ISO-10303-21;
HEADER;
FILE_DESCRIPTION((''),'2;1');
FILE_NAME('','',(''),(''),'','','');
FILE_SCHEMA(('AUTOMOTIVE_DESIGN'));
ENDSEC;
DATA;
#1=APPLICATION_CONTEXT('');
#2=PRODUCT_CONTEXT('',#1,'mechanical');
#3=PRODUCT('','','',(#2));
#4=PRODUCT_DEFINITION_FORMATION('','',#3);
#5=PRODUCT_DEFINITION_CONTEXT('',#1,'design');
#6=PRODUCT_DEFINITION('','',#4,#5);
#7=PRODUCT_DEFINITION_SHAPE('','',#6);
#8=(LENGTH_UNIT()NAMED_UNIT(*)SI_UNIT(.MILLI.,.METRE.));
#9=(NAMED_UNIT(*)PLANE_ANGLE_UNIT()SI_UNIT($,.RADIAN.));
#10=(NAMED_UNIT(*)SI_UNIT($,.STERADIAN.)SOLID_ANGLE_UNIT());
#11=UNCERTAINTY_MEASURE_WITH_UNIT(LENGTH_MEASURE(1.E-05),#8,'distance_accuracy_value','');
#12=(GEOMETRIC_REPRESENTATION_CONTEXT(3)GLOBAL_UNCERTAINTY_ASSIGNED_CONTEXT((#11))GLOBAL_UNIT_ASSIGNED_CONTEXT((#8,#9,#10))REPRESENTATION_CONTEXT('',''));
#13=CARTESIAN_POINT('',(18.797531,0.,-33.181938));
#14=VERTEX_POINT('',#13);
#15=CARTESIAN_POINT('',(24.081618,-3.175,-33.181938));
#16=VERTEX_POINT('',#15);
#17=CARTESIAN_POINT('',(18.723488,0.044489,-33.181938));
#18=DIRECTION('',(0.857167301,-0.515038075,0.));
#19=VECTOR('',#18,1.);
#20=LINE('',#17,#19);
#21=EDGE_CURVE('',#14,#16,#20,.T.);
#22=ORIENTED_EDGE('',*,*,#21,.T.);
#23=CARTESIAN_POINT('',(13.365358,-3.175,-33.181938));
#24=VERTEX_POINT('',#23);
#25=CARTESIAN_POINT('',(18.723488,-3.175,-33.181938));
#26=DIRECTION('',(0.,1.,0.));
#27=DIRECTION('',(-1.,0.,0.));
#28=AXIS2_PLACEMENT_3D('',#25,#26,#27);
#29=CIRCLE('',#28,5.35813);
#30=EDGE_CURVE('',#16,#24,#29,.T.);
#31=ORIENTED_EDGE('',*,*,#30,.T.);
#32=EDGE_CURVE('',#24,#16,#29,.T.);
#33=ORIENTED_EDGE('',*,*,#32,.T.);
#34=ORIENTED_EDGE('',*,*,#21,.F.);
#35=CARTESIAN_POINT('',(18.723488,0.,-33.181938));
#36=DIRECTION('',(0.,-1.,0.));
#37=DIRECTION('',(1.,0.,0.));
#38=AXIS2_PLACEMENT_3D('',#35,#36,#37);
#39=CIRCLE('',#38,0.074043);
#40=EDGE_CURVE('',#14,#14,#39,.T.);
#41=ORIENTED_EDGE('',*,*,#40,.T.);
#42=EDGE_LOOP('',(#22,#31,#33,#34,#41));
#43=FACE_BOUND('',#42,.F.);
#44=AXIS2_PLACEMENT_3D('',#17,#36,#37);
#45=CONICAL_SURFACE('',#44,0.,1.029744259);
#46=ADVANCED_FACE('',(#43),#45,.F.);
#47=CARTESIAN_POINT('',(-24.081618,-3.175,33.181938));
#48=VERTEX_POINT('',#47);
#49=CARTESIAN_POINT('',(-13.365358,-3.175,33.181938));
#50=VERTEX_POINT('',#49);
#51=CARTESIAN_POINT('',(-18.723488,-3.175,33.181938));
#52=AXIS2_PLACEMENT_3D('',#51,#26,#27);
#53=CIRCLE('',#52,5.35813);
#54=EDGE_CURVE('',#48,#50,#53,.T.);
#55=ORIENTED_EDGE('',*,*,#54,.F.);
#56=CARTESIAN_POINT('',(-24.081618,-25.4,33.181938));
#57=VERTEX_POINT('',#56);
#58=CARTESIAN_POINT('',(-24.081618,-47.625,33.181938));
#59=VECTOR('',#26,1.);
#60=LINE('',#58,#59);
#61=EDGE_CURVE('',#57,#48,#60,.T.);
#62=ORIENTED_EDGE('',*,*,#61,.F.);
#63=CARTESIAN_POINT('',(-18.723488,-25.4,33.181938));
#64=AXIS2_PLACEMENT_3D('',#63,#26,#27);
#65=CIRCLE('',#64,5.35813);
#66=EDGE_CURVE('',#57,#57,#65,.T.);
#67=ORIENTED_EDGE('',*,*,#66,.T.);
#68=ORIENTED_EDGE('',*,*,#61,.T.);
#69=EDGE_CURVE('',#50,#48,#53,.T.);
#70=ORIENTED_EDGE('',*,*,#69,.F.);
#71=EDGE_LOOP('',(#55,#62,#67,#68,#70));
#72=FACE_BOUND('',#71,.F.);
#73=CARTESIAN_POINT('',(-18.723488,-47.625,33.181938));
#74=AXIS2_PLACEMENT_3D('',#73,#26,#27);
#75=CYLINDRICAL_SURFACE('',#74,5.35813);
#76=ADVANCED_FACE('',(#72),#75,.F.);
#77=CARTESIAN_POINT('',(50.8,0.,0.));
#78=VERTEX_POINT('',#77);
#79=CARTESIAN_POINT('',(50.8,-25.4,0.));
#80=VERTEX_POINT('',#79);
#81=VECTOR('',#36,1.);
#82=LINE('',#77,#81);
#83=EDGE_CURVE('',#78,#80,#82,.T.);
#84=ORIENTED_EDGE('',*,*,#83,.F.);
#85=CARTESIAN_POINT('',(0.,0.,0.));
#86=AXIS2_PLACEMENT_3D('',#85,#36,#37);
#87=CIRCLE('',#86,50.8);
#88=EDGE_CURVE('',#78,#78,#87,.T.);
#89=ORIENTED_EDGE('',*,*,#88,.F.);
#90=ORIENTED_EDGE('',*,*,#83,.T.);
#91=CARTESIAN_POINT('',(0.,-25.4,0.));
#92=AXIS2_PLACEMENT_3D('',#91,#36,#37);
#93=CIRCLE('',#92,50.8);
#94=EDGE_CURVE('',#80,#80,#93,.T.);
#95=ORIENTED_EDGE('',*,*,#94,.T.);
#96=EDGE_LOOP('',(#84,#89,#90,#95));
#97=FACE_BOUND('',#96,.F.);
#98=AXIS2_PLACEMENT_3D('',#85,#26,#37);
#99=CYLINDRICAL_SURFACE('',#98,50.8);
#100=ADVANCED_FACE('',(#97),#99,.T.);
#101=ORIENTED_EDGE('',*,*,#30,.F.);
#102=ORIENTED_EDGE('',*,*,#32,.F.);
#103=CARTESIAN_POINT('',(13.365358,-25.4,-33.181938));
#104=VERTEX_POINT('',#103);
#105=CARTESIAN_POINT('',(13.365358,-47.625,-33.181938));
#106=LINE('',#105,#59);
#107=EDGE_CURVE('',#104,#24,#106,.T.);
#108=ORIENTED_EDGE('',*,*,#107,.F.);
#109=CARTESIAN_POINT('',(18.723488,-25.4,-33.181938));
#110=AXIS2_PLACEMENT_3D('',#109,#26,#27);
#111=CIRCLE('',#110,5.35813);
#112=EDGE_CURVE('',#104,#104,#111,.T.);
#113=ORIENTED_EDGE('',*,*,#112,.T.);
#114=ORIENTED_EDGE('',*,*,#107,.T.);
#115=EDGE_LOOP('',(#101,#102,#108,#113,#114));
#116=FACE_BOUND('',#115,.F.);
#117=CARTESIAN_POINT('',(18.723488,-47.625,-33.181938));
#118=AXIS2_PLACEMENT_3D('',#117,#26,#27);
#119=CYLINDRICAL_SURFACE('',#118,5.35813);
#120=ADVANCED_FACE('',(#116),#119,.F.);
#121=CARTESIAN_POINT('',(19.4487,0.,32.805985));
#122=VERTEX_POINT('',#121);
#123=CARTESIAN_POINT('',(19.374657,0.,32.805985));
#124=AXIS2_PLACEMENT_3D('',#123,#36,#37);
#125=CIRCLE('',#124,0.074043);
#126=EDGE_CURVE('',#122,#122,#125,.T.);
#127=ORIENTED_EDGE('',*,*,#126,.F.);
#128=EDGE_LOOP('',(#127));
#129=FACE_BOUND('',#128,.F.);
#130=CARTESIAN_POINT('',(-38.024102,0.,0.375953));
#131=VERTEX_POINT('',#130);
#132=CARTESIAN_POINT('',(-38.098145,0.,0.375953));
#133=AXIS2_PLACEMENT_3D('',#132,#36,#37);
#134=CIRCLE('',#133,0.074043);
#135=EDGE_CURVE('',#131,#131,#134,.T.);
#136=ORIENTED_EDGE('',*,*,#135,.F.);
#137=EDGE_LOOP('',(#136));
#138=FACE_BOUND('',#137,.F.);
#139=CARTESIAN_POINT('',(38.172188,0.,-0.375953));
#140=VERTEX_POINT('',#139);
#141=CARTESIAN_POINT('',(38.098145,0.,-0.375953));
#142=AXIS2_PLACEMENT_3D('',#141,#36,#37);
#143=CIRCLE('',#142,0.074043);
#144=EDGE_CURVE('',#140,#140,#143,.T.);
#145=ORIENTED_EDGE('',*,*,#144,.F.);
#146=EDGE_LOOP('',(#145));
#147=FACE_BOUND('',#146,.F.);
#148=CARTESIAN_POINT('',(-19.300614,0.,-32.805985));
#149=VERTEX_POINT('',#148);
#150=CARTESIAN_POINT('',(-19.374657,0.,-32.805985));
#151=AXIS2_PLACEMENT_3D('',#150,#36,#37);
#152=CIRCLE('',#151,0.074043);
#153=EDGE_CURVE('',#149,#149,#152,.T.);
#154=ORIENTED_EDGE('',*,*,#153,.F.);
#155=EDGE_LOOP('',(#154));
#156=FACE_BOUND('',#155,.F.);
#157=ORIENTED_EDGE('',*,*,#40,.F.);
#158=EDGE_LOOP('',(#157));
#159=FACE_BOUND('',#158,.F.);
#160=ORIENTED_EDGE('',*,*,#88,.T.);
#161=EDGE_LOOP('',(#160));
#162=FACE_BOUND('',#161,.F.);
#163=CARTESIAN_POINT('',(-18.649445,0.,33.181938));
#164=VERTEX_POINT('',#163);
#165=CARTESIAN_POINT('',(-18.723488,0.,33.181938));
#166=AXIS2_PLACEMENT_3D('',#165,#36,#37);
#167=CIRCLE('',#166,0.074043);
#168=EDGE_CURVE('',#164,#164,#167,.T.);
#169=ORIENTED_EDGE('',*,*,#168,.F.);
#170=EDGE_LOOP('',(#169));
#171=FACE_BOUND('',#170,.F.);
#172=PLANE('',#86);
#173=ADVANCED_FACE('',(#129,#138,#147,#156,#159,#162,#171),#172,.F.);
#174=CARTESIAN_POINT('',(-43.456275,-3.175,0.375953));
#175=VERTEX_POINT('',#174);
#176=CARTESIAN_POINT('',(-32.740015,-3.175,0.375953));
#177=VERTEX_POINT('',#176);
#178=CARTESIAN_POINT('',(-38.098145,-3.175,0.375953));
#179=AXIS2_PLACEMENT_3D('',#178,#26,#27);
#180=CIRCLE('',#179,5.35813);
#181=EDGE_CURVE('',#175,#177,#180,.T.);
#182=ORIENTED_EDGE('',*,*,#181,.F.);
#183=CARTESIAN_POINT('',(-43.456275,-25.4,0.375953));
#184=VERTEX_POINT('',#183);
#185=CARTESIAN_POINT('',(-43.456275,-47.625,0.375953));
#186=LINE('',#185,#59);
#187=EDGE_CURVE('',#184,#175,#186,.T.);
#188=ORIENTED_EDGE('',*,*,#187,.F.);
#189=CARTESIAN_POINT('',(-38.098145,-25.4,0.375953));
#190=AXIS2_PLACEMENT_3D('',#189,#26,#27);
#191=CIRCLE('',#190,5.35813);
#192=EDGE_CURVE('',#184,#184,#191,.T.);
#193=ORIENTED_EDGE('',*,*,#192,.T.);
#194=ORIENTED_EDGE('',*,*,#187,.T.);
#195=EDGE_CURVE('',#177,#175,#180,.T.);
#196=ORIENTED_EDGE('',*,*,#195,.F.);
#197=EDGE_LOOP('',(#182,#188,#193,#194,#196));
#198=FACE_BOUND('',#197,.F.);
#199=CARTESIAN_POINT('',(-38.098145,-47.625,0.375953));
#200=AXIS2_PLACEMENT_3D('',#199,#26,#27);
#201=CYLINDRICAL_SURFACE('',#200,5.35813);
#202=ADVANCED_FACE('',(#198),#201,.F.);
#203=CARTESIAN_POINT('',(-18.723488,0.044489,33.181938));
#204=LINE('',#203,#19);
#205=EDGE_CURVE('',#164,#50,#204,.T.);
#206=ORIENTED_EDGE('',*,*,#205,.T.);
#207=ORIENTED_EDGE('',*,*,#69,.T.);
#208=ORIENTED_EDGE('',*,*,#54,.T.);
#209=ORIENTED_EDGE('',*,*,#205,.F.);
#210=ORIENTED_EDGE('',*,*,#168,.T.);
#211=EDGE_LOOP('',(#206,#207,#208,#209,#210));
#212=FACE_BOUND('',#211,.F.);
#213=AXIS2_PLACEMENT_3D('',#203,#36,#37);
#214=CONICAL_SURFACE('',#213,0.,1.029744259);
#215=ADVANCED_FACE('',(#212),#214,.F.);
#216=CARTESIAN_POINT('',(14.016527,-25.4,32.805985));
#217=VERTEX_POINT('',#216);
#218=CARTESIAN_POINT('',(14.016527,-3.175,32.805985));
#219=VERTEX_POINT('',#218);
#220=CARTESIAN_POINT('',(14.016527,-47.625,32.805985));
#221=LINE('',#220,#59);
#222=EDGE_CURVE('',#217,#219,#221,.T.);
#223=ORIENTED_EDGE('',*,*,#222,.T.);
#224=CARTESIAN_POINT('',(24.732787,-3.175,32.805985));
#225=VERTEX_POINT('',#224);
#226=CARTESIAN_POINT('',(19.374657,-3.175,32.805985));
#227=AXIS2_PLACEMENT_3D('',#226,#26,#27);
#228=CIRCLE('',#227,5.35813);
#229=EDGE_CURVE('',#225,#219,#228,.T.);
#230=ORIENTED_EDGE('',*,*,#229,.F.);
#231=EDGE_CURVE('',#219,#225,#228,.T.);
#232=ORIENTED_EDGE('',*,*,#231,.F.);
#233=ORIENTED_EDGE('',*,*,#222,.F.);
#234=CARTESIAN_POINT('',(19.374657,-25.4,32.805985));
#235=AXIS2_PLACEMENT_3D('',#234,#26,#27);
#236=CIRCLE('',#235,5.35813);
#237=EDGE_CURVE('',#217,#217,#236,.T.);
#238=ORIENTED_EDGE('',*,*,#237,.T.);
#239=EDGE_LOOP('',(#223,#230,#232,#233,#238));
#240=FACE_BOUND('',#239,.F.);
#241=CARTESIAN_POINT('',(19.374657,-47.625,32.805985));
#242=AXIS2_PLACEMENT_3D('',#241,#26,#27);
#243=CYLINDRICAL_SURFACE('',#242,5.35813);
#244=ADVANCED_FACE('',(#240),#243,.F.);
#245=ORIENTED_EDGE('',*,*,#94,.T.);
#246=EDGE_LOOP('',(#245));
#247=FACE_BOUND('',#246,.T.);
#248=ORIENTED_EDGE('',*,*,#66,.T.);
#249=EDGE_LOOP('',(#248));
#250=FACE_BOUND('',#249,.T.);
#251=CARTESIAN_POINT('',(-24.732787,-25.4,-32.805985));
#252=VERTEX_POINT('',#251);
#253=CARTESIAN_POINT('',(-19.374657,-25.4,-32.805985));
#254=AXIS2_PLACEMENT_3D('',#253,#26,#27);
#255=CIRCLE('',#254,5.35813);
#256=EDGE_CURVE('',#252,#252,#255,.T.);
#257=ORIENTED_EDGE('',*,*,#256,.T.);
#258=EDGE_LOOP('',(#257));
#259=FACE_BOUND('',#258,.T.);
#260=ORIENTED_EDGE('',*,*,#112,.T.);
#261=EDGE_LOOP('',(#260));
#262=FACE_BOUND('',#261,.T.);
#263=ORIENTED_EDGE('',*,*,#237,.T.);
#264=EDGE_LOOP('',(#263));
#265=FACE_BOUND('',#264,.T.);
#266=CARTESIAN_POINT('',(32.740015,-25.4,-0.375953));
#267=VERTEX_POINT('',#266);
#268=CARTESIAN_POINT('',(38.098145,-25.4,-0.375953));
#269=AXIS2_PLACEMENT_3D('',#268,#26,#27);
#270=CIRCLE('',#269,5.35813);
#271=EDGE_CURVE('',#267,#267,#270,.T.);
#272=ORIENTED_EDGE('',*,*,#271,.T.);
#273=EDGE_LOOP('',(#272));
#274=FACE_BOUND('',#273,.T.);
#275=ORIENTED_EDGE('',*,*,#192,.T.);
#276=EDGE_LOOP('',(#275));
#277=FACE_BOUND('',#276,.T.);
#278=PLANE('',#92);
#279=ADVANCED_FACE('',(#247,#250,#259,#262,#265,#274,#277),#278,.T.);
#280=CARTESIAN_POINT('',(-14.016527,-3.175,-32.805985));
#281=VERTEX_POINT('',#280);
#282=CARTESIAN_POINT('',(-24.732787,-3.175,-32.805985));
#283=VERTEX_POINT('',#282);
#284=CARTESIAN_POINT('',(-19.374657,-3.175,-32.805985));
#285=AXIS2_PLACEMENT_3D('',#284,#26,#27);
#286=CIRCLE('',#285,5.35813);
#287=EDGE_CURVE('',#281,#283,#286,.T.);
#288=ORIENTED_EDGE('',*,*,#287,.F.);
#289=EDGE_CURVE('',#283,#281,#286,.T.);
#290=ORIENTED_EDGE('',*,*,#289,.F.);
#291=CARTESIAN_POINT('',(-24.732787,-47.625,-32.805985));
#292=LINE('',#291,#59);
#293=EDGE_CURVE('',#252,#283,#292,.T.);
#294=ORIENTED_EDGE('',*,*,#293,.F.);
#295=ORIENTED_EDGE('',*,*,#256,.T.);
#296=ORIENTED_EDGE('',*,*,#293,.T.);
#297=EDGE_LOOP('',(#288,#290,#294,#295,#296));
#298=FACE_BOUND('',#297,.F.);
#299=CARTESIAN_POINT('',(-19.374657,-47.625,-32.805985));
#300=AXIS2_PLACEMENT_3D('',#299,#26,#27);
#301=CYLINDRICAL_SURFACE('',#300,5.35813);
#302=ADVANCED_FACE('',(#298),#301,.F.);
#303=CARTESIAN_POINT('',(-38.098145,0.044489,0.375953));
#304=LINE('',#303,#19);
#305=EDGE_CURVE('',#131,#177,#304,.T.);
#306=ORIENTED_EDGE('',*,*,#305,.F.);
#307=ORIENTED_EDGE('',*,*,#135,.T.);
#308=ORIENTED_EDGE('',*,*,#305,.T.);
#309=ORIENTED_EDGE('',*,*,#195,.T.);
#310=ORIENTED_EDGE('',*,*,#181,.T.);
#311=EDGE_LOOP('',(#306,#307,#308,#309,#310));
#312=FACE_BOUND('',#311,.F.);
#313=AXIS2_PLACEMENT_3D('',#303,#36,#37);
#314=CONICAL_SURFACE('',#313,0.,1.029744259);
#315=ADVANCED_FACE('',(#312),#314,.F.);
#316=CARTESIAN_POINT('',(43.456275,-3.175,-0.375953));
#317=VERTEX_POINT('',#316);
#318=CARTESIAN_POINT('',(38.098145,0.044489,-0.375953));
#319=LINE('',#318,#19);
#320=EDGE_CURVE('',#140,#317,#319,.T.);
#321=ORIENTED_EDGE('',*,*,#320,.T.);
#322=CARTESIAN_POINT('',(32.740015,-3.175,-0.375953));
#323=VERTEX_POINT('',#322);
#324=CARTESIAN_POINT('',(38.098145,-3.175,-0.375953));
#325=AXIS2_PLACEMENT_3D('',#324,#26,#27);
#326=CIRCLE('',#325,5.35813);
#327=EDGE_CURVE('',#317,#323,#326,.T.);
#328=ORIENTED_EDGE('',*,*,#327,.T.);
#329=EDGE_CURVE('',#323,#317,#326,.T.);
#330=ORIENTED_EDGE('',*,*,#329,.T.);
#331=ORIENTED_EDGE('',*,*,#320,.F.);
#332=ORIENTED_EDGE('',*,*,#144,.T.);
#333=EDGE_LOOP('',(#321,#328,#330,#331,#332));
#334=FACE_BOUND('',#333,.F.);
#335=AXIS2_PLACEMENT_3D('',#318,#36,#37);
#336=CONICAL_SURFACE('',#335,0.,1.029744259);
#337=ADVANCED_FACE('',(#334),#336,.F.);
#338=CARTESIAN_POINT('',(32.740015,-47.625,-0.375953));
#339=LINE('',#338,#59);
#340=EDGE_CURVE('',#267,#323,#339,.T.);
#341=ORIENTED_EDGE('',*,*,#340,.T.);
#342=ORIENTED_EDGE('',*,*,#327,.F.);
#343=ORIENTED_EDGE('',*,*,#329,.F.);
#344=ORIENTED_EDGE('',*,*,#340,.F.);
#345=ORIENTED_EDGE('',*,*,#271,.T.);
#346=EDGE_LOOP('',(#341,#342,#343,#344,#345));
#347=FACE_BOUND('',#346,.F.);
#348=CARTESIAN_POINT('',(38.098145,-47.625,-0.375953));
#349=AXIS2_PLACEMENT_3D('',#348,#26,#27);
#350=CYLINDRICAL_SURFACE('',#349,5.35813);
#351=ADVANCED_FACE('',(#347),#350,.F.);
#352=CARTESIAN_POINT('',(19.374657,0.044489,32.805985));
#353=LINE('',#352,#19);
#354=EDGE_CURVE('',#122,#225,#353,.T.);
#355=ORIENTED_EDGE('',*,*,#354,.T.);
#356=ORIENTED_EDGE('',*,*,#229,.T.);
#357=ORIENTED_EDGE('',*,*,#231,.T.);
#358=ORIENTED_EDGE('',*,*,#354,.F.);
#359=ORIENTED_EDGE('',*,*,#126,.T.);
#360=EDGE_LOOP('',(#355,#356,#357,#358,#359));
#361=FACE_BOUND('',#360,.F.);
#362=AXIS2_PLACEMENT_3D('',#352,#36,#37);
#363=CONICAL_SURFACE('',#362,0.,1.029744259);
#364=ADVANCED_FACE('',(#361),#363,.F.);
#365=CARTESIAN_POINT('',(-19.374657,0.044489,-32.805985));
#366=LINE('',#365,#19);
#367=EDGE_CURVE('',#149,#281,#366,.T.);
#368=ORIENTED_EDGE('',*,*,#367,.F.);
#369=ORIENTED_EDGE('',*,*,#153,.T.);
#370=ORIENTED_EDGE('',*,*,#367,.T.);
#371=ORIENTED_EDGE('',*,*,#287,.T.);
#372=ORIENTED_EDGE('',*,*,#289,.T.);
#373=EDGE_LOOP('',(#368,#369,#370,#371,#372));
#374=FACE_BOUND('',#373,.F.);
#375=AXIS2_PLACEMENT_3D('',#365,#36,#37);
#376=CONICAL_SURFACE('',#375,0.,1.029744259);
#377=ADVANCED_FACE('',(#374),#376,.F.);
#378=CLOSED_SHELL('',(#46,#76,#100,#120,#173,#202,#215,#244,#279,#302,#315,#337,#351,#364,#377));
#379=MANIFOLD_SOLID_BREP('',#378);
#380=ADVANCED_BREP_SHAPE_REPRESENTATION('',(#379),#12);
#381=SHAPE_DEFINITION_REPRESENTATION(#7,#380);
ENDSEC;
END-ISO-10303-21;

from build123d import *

# Parameters (mm, degrees)
F0_R     = 50.8
F1_DEPTH = 25.4
F3_D     = 10.71626
F3_DEPTH = 22.225
F3_TIP   = 3.2194893086


with BuildPart() as f1:
    # F0 (on Front) → F1 (new body)
    with BuildSketch(Plane.XZ):
        Circle(F0_R)
    extrude(amount=F1_DEPTH)

    # F3
    with Locations(Plane.XZ.offset(25.4)):
        with Locations((-38.0981450941, 0.3759526402), (-18.7234880101, 33.1819378087), (19.3746570841, 32.8059851685), (38.0981450941, -0.3759526402), (18.7234880101, -33.1819378087), (-19.3746570841, -32.8059851685)):
            Hole(F3_D / 2, depth=F3_DEPTH)
            with Locations((0, 0, -(F3_DEPTH + F3_TIP / 2))):  # 118° drill point
                Cone(0, F3_D / 2, F3_TIP, mode=Mode.SUBTRACT)


solid = f1.part
